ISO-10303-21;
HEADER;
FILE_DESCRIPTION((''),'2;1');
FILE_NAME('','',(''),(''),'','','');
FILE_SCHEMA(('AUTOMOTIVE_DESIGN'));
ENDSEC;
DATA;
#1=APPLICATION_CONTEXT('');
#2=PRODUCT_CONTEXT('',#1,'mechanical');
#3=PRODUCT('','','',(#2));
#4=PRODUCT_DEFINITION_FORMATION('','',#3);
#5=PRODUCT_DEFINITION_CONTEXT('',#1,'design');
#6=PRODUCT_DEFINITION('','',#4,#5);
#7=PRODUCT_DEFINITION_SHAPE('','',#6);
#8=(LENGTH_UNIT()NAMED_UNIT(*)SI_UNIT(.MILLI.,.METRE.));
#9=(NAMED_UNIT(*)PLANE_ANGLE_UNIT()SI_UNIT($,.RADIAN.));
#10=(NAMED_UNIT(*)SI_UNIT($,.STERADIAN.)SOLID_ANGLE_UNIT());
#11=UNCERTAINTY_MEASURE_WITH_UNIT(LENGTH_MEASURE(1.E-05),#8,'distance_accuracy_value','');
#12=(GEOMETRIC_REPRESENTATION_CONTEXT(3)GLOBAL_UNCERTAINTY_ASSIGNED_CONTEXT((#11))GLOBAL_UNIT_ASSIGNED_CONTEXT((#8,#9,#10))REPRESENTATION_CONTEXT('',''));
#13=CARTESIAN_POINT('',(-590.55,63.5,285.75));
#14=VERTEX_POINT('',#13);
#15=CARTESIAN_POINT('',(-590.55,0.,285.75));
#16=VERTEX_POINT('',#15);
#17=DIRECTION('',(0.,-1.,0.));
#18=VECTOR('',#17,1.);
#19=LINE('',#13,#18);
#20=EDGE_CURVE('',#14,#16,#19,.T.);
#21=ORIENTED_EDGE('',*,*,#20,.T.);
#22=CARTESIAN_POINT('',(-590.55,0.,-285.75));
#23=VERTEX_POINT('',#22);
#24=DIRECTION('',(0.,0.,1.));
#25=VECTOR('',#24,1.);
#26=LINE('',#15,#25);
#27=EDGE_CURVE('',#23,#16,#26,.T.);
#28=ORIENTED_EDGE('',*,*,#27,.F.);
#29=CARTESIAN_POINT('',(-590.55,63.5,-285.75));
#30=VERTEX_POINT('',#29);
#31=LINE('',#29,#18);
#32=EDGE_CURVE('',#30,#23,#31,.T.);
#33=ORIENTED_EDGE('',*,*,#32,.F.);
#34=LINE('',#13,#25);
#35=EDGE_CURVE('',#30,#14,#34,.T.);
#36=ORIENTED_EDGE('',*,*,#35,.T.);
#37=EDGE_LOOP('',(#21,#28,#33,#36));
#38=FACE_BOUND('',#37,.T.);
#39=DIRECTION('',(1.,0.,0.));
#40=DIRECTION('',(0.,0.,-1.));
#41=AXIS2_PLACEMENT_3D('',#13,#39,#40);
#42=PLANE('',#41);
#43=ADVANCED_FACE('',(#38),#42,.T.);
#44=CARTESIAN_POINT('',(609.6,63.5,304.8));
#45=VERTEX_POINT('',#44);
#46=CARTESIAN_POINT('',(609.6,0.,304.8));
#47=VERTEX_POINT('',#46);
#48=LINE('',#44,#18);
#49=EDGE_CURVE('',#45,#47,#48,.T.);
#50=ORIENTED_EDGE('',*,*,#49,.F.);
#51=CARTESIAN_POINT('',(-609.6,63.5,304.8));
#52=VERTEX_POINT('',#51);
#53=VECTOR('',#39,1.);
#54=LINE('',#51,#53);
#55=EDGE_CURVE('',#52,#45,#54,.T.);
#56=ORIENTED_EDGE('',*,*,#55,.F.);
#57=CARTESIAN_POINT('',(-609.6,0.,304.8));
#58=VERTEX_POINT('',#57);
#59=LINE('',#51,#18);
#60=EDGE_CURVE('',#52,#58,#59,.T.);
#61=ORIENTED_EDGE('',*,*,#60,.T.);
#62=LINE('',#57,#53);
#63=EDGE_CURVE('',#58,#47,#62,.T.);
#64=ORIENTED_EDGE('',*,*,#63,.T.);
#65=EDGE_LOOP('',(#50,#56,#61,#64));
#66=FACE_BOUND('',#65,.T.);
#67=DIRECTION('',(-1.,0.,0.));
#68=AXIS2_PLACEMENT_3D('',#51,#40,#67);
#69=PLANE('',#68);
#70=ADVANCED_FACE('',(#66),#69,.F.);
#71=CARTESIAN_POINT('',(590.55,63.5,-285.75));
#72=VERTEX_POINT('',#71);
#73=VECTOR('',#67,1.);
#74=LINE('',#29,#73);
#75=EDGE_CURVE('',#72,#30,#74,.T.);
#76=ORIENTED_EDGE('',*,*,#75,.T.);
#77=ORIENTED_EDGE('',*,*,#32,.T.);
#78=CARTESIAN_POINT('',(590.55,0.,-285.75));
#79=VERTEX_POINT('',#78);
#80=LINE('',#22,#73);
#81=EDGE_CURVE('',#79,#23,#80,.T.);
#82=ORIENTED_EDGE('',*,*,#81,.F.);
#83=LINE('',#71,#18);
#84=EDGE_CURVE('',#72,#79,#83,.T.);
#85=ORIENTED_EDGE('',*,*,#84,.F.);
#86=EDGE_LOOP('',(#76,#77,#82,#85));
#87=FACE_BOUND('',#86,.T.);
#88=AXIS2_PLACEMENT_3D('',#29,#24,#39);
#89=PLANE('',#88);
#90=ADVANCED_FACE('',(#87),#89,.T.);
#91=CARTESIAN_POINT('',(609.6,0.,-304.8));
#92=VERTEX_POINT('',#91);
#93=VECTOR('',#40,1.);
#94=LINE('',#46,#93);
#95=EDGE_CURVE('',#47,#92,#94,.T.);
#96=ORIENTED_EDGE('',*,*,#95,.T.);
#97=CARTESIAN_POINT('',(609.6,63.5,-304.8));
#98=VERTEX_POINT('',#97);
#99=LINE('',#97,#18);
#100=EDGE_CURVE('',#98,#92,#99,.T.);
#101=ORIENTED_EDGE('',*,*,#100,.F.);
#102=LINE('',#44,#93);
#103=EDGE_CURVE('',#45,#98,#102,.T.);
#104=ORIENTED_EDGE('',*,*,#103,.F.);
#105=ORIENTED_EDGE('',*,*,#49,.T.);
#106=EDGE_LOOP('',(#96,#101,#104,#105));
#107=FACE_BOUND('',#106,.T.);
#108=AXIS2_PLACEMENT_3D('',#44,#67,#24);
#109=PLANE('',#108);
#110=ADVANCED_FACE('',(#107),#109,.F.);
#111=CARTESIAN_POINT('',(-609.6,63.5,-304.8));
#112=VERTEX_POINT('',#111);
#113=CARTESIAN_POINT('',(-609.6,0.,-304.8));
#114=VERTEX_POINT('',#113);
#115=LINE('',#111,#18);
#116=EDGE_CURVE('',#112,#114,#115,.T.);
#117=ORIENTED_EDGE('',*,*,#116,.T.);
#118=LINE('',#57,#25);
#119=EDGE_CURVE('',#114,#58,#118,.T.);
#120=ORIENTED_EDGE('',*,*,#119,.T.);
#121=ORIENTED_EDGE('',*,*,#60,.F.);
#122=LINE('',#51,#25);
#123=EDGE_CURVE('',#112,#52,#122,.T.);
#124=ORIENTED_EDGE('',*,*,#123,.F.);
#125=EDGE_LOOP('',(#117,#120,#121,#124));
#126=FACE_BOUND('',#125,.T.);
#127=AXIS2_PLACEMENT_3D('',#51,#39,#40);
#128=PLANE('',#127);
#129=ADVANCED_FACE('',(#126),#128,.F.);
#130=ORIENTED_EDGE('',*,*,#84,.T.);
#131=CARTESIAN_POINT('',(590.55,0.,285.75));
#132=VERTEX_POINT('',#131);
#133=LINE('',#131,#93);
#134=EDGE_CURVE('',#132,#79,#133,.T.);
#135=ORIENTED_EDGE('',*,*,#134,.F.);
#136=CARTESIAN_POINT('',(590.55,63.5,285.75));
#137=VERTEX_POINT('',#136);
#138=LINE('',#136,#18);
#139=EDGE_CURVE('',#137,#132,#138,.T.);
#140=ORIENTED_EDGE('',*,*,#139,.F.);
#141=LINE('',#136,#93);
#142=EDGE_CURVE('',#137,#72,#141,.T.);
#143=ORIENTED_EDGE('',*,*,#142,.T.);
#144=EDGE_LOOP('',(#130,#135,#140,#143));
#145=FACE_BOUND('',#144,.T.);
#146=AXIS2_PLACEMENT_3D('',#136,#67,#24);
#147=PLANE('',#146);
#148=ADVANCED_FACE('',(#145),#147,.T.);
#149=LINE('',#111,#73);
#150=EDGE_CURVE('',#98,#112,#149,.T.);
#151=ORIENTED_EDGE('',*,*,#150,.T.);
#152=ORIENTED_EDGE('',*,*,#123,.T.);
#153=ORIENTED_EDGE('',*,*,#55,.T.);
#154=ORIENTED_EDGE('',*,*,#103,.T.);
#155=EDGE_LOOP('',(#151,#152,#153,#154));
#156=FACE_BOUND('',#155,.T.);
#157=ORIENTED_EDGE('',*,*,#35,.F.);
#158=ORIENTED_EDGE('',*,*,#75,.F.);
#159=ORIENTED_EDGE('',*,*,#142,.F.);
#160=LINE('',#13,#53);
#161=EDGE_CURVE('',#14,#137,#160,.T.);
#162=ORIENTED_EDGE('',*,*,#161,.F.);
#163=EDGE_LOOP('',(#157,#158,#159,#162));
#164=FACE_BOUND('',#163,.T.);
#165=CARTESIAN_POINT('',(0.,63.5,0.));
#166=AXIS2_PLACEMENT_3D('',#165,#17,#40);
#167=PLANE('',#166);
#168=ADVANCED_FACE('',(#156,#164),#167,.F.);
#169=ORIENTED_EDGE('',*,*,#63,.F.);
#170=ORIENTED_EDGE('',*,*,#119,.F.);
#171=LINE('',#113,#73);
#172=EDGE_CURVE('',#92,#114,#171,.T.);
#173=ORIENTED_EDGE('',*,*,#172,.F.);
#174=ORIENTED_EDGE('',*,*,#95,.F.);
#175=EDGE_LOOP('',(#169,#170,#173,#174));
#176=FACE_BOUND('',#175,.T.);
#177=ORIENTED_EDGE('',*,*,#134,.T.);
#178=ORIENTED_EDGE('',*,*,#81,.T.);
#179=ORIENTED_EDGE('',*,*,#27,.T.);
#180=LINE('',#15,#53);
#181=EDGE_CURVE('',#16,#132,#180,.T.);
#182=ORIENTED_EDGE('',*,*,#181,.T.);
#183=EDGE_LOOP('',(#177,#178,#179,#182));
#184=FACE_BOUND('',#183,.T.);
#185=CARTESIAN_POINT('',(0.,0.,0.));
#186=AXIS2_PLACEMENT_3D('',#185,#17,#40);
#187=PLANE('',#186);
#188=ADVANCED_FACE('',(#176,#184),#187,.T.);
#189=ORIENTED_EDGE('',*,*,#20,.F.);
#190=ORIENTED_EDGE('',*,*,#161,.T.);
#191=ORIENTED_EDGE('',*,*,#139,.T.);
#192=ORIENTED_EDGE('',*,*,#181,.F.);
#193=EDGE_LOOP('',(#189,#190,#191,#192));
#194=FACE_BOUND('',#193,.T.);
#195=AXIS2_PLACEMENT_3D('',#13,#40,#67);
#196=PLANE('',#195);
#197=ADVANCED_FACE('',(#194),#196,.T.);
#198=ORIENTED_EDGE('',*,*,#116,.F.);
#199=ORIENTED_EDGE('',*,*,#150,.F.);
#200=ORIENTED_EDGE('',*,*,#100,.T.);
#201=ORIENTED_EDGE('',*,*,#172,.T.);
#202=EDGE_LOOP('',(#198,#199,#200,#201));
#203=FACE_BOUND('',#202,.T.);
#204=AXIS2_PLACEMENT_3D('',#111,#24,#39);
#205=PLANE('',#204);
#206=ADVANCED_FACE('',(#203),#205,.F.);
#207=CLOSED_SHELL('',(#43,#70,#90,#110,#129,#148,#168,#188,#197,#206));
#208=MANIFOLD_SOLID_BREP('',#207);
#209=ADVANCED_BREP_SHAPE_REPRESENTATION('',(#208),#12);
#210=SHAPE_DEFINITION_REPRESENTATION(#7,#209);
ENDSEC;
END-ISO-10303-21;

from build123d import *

# Parameters (mm, degrees)
SKETCH1_W           = 1219.2
SKETCH1_H           = 609.6
SKETCH1_W_2         = 1181.1
SKETCH1_H_2         = 571.5
BOSS_EXTRUDE1_DEPTH = 63.5


with BuildPart() as part:
    # Sketch1 → Boss-Extrude1 (new body)
    with BuildSketch(Plane(origin=(0, 0, 0), x_dir=(1, 0, 0), z_dir=(0, 1, 0))):
        Rectangle(SKETCH1_W, SKETCH1_H)
        Rectangle(SKETCH1_W_2, SKETCH1_H_2, mode=Mode.SUBTRACT)
    extrude(amount=BOSS_EXTRUDE1_DEPTH)


solid = part.part
